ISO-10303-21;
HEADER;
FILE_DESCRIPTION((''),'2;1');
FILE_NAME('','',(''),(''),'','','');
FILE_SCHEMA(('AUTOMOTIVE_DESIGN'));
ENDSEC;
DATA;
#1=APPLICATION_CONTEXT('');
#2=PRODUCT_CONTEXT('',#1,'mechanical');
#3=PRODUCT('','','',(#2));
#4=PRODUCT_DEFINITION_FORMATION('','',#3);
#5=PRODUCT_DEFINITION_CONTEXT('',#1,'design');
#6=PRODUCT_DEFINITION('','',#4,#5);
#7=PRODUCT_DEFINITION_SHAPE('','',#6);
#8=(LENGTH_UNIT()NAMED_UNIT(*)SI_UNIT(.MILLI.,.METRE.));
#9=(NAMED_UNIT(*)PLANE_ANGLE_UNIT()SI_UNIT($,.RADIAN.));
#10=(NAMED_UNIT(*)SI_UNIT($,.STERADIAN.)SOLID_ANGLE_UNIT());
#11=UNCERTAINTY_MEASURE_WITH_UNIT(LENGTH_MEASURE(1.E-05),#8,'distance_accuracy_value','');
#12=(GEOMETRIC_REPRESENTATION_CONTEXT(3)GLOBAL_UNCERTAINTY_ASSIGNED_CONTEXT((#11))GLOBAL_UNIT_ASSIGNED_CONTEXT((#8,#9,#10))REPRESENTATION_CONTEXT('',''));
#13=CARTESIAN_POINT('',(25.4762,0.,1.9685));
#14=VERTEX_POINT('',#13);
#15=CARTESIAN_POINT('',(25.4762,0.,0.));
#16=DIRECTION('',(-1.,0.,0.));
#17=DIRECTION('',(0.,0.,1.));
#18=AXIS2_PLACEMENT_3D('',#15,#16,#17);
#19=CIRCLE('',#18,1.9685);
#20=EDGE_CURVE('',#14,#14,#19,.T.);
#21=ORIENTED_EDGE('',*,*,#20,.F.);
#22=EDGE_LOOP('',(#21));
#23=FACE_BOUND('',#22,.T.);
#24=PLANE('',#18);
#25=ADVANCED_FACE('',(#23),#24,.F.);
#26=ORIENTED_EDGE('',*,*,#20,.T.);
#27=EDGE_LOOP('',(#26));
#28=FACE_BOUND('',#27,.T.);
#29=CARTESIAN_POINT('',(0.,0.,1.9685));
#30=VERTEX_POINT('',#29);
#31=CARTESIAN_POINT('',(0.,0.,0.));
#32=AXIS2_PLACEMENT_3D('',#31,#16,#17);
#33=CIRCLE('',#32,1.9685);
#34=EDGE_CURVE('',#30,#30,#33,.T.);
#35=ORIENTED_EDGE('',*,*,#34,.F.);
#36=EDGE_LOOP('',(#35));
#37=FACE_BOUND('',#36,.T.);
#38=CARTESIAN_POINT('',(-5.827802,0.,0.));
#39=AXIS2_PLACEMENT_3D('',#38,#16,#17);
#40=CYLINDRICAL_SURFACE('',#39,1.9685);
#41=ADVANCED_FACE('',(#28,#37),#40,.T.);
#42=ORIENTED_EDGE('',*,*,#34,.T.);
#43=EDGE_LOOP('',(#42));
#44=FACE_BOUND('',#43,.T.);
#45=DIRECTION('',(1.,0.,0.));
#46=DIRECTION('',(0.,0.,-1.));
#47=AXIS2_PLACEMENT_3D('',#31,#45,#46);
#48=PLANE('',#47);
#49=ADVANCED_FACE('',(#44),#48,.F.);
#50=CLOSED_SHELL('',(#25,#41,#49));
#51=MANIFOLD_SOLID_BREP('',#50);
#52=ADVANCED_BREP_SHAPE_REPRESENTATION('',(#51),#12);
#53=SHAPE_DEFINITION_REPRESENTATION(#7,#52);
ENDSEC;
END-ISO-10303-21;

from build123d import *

# Parameters (mm, degrees)
SKETCH1_W = 25.4762
SKETCH1_H = 1.9685


with BuildPart() as part:
    # Sketch1 → Revolve1 (revolve)
    with BuildSketch(Plane.XY):
        with Locations((12.7381, 0.98425)):
            Rectangle(SKETCH1_W, SKETCH1_H)
    revolve(axis=Axis((-5.827802382, 0, 0), (1, 0, 0)))


solid = part.part
